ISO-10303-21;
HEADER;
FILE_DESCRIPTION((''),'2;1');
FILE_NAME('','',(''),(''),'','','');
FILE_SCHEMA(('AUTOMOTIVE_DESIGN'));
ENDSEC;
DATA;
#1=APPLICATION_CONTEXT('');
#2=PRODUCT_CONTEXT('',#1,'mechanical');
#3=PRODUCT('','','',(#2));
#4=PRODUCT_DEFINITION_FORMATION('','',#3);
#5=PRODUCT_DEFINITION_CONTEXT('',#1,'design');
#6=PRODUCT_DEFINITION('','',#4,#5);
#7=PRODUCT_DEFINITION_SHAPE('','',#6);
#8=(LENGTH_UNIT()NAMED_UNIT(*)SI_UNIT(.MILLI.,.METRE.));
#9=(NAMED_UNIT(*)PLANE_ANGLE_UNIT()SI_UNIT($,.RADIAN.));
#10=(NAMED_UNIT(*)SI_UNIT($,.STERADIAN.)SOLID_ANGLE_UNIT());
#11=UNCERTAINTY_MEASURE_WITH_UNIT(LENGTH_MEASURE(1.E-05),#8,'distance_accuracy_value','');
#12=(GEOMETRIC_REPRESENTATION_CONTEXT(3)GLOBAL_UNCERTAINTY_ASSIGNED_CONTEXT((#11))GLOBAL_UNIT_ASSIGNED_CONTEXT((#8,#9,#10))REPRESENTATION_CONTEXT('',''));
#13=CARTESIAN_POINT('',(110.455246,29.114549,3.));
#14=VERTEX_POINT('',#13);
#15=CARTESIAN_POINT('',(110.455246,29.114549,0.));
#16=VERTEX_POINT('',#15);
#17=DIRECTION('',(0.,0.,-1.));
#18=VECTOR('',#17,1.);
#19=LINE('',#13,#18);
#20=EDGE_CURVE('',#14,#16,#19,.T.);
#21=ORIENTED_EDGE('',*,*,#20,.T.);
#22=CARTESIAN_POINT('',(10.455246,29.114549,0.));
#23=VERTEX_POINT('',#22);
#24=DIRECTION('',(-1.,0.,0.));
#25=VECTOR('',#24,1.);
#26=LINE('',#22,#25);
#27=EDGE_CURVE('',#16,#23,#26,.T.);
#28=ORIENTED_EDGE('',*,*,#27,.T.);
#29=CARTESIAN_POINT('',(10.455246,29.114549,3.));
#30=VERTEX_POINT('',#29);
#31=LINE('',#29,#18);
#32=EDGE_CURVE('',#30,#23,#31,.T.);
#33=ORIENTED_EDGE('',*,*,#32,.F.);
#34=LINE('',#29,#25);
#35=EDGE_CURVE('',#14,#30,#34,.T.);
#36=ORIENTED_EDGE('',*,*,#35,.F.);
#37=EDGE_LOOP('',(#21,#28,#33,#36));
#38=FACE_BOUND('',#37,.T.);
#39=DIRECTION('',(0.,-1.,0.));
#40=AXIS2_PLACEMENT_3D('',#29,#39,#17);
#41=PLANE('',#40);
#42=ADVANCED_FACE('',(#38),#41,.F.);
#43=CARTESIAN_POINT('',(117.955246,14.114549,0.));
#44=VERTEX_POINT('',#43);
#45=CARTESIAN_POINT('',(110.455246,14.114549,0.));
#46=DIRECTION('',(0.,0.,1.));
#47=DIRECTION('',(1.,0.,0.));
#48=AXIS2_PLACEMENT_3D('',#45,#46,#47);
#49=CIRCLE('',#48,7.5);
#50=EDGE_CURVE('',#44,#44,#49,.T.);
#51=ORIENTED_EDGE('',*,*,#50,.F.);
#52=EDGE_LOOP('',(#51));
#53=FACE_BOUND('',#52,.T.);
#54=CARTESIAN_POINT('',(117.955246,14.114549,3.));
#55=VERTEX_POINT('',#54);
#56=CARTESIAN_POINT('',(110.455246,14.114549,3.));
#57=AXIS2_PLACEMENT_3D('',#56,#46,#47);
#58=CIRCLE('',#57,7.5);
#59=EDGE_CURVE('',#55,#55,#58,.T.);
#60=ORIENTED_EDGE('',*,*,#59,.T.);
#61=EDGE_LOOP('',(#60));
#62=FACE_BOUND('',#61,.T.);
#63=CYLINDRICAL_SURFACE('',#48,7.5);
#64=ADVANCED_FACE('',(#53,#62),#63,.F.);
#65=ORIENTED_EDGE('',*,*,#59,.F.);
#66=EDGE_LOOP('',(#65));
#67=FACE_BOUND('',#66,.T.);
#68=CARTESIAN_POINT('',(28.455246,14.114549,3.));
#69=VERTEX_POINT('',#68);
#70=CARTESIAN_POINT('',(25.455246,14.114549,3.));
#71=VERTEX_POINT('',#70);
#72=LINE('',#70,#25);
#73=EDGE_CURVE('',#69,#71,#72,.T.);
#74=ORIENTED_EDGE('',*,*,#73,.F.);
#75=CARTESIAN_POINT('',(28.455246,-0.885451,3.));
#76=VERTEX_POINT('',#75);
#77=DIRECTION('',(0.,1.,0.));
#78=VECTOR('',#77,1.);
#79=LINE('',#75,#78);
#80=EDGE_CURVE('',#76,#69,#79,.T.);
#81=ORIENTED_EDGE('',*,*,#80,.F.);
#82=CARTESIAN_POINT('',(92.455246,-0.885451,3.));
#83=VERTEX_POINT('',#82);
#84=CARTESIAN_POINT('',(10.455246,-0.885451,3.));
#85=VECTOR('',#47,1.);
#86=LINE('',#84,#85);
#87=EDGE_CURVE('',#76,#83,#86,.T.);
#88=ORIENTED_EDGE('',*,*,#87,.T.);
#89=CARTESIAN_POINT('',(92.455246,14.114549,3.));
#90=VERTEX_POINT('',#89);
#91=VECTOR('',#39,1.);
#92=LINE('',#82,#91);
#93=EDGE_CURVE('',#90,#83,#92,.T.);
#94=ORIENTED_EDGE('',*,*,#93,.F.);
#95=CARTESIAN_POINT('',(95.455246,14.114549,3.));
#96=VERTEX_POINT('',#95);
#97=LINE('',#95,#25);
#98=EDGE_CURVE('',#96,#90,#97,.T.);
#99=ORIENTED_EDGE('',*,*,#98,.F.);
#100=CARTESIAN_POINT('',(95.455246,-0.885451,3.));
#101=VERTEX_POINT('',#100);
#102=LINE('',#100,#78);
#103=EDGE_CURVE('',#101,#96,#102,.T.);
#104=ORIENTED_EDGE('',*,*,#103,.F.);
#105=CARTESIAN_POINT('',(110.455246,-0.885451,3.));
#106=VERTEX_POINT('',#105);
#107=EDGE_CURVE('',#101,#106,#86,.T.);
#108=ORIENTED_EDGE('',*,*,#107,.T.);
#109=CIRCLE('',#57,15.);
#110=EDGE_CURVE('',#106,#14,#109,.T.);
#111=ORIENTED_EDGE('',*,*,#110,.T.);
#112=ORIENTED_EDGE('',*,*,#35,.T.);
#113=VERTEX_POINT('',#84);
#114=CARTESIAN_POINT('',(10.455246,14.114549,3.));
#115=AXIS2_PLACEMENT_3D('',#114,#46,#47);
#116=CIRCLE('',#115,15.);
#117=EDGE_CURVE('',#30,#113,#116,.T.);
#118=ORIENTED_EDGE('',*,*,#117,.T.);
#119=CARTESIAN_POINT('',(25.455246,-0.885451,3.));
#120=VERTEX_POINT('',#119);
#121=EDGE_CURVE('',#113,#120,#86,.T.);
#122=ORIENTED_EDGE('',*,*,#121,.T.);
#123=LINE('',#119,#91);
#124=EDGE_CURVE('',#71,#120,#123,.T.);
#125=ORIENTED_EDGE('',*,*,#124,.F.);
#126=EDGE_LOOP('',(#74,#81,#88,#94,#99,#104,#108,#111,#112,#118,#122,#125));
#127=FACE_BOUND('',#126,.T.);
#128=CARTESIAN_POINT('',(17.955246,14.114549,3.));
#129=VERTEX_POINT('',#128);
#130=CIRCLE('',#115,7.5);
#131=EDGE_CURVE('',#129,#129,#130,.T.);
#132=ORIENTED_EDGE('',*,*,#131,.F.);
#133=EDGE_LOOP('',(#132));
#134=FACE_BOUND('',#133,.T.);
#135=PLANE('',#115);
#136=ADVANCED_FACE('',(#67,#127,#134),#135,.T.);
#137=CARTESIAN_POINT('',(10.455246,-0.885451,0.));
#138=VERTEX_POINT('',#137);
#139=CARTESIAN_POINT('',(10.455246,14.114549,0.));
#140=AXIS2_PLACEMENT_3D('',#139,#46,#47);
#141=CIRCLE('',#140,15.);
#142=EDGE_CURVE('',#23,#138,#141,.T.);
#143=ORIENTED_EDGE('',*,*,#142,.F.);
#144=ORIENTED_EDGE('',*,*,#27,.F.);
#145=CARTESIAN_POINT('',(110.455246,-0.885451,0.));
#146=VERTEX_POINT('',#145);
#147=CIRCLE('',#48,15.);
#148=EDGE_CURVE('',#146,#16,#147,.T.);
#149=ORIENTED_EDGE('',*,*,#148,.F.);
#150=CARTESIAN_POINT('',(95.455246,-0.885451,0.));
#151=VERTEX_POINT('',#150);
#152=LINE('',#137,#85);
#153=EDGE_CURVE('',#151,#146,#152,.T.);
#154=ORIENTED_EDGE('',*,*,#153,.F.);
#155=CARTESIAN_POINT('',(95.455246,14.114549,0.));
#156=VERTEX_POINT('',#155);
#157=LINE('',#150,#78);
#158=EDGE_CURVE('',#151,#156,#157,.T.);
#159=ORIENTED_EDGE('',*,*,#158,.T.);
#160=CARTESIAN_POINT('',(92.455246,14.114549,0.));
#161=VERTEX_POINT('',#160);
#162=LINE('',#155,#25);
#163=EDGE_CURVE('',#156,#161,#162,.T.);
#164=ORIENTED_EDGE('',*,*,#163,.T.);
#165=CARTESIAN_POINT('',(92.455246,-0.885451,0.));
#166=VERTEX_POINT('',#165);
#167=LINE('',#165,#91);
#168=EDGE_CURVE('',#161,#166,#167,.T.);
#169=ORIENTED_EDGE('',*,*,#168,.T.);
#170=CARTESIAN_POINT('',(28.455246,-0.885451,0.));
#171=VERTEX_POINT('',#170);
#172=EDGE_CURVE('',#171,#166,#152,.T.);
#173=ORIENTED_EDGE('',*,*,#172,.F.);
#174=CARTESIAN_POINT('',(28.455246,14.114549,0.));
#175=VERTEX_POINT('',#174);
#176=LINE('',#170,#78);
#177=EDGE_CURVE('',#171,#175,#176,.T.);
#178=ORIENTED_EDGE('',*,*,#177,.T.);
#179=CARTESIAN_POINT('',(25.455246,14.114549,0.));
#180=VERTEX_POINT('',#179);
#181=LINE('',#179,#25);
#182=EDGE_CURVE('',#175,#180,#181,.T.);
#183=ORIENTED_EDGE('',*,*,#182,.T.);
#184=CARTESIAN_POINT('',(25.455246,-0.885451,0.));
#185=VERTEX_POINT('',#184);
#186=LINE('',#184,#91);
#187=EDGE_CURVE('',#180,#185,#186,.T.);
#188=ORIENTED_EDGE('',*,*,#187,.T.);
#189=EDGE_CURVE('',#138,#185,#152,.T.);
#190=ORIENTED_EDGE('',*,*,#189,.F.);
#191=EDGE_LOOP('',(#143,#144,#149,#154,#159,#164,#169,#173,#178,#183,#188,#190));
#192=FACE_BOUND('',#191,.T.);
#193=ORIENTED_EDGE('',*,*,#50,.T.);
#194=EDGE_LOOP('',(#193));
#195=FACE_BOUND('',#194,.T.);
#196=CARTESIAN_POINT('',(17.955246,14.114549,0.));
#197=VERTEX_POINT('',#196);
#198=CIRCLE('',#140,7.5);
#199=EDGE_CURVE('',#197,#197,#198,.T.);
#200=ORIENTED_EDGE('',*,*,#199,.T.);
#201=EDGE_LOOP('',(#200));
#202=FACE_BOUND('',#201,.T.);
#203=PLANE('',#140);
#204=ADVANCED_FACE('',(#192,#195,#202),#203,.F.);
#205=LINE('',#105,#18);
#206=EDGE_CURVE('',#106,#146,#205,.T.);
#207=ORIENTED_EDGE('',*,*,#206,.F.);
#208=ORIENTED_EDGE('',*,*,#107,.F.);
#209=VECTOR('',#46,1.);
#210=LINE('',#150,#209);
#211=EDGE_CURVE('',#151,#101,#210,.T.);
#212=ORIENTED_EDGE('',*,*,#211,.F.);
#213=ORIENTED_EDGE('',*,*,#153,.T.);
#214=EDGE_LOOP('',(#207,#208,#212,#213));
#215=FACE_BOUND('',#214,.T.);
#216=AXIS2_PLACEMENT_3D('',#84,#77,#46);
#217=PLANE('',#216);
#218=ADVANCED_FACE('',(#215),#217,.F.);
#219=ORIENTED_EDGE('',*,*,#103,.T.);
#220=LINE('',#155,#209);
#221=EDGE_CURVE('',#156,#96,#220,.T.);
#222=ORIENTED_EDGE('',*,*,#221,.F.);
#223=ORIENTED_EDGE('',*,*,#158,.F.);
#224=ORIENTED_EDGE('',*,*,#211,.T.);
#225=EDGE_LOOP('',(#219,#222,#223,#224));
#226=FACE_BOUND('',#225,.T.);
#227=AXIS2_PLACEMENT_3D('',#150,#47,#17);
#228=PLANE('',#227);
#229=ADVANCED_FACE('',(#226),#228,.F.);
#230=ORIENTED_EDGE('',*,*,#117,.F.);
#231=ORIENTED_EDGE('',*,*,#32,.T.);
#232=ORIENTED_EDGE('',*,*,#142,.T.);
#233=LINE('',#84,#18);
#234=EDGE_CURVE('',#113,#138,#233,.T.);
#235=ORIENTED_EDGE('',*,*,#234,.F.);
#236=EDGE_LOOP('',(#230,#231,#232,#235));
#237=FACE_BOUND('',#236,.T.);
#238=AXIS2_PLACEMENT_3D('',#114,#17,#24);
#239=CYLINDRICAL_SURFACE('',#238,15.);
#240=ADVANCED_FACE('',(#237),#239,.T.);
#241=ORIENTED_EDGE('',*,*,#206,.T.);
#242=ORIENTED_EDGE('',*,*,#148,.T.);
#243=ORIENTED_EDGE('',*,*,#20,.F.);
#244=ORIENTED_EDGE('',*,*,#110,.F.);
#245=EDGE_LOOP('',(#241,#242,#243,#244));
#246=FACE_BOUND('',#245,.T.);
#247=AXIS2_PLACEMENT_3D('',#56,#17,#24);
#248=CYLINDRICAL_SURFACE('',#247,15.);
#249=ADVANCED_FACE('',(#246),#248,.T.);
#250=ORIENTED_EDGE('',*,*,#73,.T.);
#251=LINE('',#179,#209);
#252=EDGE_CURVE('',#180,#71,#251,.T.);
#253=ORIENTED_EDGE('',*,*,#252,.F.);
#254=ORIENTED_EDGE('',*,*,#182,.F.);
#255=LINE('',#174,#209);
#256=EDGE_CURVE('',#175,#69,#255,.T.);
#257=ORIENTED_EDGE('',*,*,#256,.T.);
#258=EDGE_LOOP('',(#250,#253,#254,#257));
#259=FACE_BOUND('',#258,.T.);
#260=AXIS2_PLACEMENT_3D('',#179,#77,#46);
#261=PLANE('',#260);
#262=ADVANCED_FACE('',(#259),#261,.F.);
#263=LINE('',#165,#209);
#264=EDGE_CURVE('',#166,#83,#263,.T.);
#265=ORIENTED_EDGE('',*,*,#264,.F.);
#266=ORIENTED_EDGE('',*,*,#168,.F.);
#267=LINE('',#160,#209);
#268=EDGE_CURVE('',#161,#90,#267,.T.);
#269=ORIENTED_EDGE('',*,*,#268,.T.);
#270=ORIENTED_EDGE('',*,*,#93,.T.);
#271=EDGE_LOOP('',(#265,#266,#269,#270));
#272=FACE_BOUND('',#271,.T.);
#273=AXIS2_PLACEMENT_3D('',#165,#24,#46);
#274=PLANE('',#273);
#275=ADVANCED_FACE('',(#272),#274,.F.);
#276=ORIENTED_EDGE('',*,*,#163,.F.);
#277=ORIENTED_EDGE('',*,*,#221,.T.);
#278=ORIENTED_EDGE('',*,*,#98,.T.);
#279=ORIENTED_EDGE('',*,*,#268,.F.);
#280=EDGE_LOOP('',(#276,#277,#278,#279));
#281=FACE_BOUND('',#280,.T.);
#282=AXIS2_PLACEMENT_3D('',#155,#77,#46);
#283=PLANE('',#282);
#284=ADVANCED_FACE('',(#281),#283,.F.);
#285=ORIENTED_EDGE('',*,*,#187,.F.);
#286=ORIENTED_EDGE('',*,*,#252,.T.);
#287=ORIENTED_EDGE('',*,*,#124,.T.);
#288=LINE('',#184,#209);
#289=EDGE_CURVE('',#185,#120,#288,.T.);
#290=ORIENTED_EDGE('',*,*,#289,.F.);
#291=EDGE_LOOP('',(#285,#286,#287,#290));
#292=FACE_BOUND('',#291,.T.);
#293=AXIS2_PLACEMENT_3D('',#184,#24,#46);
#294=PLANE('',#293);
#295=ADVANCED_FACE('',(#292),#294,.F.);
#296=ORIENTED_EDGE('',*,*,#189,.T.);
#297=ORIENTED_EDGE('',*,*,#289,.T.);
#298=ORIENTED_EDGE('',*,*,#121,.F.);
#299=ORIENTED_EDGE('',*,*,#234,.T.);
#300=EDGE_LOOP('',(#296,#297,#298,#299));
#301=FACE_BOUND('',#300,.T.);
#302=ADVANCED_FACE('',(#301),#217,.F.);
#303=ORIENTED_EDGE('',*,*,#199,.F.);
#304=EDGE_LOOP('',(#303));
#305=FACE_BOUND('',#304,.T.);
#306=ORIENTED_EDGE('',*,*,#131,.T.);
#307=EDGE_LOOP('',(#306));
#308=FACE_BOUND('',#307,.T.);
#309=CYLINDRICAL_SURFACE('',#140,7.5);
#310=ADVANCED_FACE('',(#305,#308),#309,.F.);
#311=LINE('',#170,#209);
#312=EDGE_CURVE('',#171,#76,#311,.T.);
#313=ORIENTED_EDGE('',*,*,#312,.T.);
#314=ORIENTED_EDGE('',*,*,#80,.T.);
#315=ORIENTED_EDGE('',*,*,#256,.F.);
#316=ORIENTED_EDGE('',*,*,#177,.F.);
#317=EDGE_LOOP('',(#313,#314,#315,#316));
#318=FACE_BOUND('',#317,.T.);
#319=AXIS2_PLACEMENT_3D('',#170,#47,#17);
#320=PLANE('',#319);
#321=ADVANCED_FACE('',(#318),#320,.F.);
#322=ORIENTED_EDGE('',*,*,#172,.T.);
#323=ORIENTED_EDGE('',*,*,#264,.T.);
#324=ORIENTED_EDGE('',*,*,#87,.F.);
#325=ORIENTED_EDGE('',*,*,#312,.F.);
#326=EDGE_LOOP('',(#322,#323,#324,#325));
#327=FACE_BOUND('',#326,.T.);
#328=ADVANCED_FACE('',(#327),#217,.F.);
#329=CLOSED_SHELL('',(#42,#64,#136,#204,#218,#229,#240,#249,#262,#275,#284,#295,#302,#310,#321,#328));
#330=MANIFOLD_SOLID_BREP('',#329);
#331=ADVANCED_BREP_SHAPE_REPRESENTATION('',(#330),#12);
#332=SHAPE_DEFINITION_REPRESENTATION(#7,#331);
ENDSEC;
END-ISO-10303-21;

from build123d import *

# Parameters (mm, degrees)
BOSS_EXTRUDE1_DEPTH = 3
SKETCH2_W           = 3
SKETCH2_H           = 15
CUT_EXTRUDE1_DEPTH  = 3
SKETCH3_R           = 7.5
CUT_EXTRUDE2_DEPTH  = 3


with BuildPart() as part:
    # Sketch1 → Boss-Extrude1 (new body)
    with BuildSketch(Plane.XY):
        with BuildLine():
            Line((10.455245645, 29.11454936), (110.455245645, 29.11454936))
            ThreePointArc((110.455245645, 29.11454936), (125.455245645, 14.11454936), (110.455245645, -0.88545064))
            Line((110.455245645, -0.88545064), (10.455245645, -0.88545064))
            ThreePointArc((10.455245645, -0.88545064), (-4.544754355, 14.11454936), (10.455245645, 29.11454936))
        make_face()
    extrude(amount=BOSS_EXTRUDE1_DEPTH)

    # Sketch2 → Cut-Extrude1 (cut)
    with BuildSketch(Plane.XY.offset(3)):
        with Locations((26.955245645, 6.61454936)):
            Rectangle(SKETCH2_W, SKETCH2_H)
        with Locations((93.955245645, 6.61454936)):
            Rectangle(SKETCH2_W, SKETCH2_H)
    extrude(amount=-CUT_EXTRUDE1_DEPTH, mode=Mode.SUBTRACT)

    # Sketch3 → Cut-Extrude2 (cut)
    with BuildSketch(Plane.XY.offset(3)):
        with Locations((10.455245645, 14.11454936)):
            Circle(SKETCH3_R)
        with Locations((110.455245645, 14.11454936)):
            Circle(SKETCH3_R)
    extrude(amount=-CUT_EXTRUDE2_DEPTH, mode=Mode.SUBTRACT)


solid = part.part
